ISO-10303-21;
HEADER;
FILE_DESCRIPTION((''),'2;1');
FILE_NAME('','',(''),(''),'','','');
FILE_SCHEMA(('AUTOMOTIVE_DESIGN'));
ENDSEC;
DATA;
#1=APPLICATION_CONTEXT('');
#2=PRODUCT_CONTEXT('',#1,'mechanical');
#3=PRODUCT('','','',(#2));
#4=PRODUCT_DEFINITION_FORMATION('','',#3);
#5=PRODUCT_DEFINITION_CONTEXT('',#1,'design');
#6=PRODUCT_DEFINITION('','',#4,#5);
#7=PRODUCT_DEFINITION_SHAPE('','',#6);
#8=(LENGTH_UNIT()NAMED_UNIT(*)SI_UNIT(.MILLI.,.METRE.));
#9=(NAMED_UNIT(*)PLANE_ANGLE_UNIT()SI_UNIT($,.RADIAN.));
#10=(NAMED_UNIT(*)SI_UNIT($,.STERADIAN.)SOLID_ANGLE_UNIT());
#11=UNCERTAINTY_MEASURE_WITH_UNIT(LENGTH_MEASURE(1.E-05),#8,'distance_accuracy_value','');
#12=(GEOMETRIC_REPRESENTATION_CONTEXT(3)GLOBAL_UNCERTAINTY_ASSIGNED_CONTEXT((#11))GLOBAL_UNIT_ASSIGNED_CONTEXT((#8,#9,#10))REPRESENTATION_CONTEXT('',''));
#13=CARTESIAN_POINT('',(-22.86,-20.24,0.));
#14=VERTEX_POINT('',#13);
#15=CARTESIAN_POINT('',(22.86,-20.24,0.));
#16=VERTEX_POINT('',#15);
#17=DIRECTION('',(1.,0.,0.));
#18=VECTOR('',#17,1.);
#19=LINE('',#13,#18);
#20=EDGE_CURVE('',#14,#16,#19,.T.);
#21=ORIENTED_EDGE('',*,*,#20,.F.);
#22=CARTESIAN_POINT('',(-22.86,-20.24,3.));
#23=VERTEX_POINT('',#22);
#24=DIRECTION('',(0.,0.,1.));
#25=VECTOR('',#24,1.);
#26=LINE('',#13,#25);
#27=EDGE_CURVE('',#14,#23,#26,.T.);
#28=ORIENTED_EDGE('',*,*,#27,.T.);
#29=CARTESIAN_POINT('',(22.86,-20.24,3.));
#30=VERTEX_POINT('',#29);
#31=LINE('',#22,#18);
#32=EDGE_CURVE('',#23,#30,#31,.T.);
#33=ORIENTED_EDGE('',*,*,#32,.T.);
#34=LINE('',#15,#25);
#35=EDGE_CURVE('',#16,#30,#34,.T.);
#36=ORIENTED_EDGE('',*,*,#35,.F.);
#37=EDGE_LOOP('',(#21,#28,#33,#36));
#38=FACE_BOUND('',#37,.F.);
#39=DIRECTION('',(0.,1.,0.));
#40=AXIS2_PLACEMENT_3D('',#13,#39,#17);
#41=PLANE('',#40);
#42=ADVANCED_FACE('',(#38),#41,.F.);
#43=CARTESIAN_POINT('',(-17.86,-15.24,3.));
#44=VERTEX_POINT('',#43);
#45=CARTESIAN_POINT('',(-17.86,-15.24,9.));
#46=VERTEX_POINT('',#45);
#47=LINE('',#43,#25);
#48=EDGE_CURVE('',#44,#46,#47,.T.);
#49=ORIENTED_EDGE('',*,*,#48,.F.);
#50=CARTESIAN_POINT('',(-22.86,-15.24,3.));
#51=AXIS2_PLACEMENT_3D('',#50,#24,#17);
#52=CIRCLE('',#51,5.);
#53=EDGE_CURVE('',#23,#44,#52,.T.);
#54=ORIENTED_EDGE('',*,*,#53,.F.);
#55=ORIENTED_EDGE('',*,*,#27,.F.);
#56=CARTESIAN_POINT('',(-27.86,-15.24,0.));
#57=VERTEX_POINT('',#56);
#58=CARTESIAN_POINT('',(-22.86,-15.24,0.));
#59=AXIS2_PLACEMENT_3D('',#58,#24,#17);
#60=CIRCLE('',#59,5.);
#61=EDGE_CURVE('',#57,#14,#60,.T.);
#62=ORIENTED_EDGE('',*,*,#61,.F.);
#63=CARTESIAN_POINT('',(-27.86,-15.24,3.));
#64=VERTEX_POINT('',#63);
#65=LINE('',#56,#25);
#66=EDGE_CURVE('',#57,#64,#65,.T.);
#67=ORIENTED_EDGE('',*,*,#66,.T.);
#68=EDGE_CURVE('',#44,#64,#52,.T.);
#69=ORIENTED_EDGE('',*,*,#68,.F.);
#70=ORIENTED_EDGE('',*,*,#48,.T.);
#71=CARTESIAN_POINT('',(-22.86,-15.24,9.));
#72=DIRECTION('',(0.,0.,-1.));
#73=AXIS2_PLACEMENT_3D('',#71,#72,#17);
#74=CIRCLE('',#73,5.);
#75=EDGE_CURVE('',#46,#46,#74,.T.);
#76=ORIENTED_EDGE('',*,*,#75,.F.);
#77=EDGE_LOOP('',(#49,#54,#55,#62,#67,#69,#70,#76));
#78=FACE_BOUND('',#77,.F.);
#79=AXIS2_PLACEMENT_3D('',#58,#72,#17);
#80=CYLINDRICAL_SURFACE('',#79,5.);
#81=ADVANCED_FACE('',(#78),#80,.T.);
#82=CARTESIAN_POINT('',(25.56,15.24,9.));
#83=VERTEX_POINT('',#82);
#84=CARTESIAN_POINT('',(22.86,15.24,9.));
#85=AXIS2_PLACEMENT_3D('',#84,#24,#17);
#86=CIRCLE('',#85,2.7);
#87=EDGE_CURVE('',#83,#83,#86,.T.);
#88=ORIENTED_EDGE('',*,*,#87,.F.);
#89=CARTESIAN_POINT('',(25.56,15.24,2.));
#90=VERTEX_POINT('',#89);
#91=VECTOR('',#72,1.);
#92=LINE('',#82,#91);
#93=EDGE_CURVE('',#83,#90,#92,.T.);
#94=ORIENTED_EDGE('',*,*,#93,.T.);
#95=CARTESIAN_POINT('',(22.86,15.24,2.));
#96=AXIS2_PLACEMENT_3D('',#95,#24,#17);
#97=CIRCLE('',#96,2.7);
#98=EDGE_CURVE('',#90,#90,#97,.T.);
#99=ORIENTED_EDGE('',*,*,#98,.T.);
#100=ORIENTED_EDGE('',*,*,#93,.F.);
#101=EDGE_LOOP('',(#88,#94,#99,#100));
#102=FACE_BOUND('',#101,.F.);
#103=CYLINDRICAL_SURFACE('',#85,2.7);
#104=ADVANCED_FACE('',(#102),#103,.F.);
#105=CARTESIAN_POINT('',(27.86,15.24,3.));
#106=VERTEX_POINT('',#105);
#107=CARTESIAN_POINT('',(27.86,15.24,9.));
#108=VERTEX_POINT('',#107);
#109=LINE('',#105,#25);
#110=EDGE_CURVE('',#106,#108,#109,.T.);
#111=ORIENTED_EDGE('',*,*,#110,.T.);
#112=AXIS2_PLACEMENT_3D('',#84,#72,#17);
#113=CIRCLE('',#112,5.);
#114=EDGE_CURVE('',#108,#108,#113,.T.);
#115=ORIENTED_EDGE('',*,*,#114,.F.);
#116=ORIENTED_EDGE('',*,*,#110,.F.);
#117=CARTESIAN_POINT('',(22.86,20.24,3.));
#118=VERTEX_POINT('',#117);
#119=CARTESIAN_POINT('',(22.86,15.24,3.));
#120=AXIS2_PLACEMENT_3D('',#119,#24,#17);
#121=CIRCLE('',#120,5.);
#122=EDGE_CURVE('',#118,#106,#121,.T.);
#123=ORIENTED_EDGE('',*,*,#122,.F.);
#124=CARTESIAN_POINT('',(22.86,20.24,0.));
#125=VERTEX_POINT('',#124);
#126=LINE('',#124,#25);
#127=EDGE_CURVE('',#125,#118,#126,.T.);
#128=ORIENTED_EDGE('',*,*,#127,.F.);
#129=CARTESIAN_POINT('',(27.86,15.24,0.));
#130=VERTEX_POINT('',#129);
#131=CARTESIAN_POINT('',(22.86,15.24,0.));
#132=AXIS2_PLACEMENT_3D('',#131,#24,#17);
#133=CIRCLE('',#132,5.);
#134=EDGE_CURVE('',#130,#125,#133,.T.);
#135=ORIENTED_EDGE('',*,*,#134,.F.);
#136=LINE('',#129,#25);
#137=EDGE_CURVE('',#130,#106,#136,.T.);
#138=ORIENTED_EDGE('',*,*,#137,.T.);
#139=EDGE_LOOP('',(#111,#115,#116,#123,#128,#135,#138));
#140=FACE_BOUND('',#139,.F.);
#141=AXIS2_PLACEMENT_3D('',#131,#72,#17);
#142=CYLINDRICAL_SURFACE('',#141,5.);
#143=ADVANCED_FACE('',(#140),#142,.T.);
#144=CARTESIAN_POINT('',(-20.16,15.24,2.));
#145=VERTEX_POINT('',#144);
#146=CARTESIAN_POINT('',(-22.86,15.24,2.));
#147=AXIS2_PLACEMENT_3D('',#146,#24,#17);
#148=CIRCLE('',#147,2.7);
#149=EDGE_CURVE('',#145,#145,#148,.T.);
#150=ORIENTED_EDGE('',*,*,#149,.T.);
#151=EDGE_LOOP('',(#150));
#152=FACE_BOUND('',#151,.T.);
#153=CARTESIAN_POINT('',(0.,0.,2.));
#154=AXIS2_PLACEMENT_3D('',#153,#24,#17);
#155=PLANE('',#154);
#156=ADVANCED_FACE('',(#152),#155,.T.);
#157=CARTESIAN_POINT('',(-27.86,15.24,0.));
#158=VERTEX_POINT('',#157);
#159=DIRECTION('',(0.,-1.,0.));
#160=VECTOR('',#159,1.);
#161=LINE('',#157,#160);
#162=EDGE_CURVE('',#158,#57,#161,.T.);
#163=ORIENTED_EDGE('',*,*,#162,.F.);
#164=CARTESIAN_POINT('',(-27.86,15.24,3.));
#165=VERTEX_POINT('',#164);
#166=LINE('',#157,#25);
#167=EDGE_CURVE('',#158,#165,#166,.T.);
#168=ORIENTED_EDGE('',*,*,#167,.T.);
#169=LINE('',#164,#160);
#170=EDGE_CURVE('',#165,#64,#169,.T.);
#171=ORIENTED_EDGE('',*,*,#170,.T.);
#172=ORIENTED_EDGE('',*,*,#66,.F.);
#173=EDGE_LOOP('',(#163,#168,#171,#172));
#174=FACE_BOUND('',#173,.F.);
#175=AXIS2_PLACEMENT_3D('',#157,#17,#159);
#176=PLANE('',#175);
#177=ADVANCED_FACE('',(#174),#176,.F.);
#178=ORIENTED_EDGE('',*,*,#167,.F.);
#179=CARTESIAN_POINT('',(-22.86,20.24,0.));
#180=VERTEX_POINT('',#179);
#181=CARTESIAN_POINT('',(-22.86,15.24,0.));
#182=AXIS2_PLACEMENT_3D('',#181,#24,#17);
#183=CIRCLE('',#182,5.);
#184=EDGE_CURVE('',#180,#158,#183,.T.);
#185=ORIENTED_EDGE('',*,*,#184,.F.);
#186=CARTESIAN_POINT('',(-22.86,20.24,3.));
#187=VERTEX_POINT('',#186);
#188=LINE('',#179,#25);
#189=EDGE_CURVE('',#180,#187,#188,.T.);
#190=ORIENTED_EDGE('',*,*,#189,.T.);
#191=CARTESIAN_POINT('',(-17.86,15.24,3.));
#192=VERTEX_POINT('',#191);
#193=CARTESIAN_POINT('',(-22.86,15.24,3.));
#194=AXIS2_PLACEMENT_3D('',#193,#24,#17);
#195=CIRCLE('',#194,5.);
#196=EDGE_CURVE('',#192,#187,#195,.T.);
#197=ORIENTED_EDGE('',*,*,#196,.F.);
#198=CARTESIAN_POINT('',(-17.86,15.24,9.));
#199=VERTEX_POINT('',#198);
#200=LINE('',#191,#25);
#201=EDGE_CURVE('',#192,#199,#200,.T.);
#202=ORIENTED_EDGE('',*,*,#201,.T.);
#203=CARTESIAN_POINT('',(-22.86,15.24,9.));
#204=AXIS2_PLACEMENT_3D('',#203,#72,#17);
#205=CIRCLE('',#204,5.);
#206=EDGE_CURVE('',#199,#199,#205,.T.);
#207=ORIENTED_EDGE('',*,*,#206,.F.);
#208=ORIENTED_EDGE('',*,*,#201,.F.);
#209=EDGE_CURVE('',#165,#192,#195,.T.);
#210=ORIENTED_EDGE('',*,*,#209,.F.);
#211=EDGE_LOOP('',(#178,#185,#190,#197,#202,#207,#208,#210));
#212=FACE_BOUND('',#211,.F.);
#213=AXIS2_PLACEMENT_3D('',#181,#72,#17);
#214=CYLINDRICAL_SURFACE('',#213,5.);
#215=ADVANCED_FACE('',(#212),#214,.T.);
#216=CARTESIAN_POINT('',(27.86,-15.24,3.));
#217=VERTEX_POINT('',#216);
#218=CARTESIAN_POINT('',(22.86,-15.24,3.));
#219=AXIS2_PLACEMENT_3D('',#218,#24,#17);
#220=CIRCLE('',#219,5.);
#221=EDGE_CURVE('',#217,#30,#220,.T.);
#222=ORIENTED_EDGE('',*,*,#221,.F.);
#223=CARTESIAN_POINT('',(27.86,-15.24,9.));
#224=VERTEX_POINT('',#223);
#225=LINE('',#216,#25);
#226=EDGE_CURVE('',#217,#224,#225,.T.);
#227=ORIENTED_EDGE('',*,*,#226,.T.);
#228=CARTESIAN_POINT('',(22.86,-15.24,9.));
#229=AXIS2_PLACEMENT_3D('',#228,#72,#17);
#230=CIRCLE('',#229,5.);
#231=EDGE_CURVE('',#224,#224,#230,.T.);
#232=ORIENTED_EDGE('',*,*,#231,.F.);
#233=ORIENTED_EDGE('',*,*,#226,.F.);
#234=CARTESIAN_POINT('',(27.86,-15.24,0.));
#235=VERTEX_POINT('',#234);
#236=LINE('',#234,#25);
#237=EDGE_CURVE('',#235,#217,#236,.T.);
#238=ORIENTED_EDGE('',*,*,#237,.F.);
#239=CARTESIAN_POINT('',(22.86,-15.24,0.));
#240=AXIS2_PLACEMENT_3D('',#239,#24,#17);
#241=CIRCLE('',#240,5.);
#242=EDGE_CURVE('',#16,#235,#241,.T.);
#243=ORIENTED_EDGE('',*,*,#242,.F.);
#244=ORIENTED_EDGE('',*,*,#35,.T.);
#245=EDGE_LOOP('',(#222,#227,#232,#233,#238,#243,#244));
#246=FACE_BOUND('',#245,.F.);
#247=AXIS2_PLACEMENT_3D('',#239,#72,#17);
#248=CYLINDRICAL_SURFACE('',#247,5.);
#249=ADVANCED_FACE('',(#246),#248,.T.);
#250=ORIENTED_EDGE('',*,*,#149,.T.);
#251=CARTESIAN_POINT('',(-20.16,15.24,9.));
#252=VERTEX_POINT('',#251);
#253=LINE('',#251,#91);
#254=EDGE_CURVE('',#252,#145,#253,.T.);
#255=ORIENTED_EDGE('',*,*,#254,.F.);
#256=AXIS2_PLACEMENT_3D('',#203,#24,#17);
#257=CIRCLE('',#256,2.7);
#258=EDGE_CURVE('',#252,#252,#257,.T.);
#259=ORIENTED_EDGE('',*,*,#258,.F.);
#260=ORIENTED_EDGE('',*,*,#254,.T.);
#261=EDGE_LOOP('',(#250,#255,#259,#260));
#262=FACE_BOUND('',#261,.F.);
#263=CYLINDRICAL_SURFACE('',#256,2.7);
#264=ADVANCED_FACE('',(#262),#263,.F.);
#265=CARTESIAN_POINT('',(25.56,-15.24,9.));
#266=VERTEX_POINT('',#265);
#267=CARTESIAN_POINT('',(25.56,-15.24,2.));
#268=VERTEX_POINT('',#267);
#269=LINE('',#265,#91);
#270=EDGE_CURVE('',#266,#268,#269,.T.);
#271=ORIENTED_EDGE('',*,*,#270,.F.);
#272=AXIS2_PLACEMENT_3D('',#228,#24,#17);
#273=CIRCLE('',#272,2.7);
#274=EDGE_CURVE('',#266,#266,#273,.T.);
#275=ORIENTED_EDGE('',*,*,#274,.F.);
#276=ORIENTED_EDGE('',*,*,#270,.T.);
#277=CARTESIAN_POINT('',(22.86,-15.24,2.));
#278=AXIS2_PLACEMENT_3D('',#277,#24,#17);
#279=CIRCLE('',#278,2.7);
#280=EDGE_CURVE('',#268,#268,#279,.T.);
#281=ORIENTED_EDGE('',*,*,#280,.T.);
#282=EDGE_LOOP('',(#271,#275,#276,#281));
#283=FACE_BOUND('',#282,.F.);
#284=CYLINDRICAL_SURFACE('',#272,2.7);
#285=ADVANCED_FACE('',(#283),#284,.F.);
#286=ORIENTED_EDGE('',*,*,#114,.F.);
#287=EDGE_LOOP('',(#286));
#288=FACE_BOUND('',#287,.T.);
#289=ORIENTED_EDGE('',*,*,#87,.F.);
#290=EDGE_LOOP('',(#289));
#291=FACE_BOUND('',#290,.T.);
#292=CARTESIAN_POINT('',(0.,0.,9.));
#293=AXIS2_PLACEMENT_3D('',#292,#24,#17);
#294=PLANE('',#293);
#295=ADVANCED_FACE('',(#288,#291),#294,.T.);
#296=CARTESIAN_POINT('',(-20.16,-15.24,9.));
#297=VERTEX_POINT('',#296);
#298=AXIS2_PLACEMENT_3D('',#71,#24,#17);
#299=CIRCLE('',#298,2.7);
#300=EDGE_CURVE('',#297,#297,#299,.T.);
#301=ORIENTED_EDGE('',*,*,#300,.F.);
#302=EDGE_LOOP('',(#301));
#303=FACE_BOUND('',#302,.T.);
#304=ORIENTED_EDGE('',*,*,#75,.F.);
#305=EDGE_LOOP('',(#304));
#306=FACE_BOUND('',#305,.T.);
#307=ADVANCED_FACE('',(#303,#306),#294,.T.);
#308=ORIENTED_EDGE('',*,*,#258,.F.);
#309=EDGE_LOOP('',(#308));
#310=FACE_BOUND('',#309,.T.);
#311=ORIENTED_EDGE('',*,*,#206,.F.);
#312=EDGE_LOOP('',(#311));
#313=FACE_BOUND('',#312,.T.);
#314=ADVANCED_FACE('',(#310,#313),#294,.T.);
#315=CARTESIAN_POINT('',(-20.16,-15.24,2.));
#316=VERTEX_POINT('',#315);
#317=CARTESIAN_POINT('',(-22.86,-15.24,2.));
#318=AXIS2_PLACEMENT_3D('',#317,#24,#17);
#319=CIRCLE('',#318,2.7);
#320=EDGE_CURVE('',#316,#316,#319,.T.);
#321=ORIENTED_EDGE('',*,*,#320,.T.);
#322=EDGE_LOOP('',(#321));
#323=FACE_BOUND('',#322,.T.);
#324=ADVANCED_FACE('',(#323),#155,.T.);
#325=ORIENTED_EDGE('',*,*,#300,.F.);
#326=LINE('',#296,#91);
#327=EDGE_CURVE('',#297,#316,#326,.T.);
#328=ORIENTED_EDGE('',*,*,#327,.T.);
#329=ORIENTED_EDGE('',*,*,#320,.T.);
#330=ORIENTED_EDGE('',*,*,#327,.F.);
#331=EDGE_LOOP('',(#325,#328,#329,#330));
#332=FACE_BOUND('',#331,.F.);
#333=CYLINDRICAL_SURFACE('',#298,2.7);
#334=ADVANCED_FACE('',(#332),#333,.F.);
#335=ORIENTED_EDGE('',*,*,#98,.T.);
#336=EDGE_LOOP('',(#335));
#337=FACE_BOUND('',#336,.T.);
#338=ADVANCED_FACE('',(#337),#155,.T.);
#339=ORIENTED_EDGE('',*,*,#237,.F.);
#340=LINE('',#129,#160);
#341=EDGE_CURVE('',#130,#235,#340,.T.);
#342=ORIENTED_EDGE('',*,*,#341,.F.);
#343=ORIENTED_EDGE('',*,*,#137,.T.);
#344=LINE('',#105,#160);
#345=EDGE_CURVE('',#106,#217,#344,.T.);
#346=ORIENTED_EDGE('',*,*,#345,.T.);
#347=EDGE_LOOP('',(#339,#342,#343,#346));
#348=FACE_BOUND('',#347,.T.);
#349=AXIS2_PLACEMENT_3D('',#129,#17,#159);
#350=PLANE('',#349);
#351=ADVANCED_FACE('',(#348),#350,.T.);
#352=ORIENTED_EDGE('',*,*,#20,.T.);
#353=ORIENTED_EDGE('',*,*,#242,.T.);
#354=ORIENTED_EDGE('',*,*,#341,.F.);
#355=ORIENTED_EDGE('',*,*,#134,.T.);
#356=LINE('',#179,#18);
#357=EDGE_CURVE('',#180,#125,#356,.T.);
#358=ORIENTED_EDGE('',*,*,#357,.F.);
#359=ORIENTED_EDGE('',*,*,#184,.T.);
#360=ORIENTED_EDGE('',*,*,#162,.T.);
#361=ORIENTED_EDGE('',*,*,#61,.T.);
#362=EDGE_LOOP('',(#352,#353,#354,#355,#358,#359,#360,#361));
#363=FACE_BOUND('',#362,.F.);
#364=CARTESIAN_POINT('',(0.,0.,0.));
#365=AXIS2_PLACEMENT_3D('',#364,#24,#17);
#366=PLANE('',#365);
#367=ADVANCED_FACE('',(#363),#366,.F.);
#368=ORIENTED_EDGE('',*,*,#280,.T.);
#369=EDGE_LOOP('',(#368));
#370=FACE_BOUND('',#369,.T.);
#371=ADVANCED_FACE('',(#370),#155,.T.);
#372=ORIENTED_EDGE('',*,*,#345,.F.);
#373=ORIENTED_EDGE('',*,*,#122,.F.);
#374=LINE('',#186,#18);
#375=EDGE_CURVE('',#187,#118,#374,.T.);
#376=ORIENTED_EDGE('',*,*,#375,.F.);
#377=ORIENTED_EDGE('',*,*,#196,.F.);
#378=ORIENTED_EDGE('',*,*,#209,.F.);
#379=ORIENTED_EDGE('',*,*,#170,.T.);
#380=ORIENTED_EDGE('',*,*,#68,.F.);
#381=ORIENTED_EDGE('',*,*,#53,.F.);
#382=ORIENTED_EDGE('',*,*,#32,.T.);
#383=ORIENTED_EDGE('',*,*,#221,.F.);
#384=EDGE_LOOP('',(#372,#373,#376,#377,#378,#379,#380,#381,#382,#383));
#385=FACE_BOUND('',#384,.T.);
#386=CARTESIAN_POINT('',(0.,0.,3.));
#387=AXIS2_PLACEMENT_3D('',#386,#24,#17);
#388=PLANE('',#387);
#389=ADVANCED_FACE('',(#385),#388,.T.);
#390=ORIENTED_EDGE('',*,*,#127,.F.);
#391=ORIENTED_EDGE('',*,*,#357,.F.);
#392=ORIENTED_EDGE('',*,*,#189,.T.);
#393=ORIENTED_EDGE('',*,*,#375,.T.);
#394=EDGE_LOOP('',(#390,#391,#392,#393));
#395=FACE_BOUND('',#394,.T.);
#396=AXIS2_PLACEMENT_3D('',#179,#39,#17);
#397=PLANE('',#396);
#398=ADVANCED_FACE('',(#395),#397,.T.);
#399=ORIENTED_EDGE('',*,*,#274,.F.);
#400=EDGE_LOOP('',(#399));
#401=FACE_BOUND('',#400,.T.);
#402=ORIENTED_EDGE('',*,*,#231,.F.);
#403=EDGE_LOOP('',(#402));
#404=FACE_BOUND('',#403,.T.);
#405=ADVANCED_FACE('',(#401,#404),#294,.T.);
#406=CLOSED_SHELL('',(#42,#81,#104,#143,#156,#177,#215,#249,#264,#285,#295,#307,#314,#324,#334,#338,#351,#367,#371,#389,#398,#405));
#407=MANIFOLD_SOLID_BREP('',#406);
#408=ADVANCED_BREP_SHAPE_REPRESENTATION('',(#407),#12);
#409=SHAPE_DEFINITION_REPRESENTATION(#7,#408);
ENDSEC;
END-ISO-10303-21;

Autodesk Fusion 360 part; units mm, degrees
sketch "Sketch1" plane through (0, 0, 0) normal (0, 0, 1) x (1, 0, 0)
  line L0 (22.86, -15.24) -> (-22.86, -15.24) construction
  line L1 (-22.86, -15.24) -> (-22.86, 15.24) construction
  line L2 (-22.86, 15.24) -> (22.86, 15.24) construction
  line L3 (22.86, 15.24) -> (22.86, -15.24) construction
  line L4 (22.86, -15.24) -> (-22.86, 15.24) construction
  line L5 (-22.86, -15.24) -> (22.86, 15.24) construction
  circle A0 centre (22.86, 15.24) radius 5
  circle A1 centre (22.86, -15.24) radius 5
  circle A2 centre (-22.86, -15.24) radius 5
  circle A3 centre (-22.86, 15.24) radius 5
  line L6 (-22.86, 20.24) -> (22.86, 20.24)
  line L7 (-27.86, 15.24) -> (-27.86, -15.24)
  line L8 (27.86, 15.24) -> (27.86, -15.24)
  line L9 (-22.86, -20.24) -> (22.86, -20.24)
  circle A4 centre (22.86, 15.24) radius 2.7
  circle A5 centre (-22.86, 15.24) radius 2.7
  circle A6 centre (-22.86, -15.24) radius 2.7
  circle A7 centre (22.86, -15.24) radius 2.7
  dimension "d1" = 45.72
  dimension "d2" = 30.48
  dimension "d3" = 10
  dimension "d4" = 10
  dimension "d5" = 10
  dimension "d6" = 10
  dimension "d12" = 5.4
  dimension "d13" = 5.4
  dimension "d14" = 5.4
  dimension "d15" = 5.4
extrude "Extrude1" add sketch "Sketch1" along normal blind 3 contours A0 | A0 A1 A2 A3 L6 L7 L8 L9 | A1 | A3 | A2 | A4 | A5 | A6 | A7
extrude "Extrude2" add sketch "Sketch1" along normal blind 6 from surface at 3 contours A0 | A1 | A3 | A2 | A4 | A5 | A6 | A7
extrude "Extrude3" cut sketch "Sketch1" against normal blind 7 from surface at 9 contours A4 | A5 | A6 | A7
equation "d4 = d3"
equation "d5 = d3"
equation "d6 = d3"
equation "d13 = d12"
equation "d14 = d12"
equation "d15 = d12"
